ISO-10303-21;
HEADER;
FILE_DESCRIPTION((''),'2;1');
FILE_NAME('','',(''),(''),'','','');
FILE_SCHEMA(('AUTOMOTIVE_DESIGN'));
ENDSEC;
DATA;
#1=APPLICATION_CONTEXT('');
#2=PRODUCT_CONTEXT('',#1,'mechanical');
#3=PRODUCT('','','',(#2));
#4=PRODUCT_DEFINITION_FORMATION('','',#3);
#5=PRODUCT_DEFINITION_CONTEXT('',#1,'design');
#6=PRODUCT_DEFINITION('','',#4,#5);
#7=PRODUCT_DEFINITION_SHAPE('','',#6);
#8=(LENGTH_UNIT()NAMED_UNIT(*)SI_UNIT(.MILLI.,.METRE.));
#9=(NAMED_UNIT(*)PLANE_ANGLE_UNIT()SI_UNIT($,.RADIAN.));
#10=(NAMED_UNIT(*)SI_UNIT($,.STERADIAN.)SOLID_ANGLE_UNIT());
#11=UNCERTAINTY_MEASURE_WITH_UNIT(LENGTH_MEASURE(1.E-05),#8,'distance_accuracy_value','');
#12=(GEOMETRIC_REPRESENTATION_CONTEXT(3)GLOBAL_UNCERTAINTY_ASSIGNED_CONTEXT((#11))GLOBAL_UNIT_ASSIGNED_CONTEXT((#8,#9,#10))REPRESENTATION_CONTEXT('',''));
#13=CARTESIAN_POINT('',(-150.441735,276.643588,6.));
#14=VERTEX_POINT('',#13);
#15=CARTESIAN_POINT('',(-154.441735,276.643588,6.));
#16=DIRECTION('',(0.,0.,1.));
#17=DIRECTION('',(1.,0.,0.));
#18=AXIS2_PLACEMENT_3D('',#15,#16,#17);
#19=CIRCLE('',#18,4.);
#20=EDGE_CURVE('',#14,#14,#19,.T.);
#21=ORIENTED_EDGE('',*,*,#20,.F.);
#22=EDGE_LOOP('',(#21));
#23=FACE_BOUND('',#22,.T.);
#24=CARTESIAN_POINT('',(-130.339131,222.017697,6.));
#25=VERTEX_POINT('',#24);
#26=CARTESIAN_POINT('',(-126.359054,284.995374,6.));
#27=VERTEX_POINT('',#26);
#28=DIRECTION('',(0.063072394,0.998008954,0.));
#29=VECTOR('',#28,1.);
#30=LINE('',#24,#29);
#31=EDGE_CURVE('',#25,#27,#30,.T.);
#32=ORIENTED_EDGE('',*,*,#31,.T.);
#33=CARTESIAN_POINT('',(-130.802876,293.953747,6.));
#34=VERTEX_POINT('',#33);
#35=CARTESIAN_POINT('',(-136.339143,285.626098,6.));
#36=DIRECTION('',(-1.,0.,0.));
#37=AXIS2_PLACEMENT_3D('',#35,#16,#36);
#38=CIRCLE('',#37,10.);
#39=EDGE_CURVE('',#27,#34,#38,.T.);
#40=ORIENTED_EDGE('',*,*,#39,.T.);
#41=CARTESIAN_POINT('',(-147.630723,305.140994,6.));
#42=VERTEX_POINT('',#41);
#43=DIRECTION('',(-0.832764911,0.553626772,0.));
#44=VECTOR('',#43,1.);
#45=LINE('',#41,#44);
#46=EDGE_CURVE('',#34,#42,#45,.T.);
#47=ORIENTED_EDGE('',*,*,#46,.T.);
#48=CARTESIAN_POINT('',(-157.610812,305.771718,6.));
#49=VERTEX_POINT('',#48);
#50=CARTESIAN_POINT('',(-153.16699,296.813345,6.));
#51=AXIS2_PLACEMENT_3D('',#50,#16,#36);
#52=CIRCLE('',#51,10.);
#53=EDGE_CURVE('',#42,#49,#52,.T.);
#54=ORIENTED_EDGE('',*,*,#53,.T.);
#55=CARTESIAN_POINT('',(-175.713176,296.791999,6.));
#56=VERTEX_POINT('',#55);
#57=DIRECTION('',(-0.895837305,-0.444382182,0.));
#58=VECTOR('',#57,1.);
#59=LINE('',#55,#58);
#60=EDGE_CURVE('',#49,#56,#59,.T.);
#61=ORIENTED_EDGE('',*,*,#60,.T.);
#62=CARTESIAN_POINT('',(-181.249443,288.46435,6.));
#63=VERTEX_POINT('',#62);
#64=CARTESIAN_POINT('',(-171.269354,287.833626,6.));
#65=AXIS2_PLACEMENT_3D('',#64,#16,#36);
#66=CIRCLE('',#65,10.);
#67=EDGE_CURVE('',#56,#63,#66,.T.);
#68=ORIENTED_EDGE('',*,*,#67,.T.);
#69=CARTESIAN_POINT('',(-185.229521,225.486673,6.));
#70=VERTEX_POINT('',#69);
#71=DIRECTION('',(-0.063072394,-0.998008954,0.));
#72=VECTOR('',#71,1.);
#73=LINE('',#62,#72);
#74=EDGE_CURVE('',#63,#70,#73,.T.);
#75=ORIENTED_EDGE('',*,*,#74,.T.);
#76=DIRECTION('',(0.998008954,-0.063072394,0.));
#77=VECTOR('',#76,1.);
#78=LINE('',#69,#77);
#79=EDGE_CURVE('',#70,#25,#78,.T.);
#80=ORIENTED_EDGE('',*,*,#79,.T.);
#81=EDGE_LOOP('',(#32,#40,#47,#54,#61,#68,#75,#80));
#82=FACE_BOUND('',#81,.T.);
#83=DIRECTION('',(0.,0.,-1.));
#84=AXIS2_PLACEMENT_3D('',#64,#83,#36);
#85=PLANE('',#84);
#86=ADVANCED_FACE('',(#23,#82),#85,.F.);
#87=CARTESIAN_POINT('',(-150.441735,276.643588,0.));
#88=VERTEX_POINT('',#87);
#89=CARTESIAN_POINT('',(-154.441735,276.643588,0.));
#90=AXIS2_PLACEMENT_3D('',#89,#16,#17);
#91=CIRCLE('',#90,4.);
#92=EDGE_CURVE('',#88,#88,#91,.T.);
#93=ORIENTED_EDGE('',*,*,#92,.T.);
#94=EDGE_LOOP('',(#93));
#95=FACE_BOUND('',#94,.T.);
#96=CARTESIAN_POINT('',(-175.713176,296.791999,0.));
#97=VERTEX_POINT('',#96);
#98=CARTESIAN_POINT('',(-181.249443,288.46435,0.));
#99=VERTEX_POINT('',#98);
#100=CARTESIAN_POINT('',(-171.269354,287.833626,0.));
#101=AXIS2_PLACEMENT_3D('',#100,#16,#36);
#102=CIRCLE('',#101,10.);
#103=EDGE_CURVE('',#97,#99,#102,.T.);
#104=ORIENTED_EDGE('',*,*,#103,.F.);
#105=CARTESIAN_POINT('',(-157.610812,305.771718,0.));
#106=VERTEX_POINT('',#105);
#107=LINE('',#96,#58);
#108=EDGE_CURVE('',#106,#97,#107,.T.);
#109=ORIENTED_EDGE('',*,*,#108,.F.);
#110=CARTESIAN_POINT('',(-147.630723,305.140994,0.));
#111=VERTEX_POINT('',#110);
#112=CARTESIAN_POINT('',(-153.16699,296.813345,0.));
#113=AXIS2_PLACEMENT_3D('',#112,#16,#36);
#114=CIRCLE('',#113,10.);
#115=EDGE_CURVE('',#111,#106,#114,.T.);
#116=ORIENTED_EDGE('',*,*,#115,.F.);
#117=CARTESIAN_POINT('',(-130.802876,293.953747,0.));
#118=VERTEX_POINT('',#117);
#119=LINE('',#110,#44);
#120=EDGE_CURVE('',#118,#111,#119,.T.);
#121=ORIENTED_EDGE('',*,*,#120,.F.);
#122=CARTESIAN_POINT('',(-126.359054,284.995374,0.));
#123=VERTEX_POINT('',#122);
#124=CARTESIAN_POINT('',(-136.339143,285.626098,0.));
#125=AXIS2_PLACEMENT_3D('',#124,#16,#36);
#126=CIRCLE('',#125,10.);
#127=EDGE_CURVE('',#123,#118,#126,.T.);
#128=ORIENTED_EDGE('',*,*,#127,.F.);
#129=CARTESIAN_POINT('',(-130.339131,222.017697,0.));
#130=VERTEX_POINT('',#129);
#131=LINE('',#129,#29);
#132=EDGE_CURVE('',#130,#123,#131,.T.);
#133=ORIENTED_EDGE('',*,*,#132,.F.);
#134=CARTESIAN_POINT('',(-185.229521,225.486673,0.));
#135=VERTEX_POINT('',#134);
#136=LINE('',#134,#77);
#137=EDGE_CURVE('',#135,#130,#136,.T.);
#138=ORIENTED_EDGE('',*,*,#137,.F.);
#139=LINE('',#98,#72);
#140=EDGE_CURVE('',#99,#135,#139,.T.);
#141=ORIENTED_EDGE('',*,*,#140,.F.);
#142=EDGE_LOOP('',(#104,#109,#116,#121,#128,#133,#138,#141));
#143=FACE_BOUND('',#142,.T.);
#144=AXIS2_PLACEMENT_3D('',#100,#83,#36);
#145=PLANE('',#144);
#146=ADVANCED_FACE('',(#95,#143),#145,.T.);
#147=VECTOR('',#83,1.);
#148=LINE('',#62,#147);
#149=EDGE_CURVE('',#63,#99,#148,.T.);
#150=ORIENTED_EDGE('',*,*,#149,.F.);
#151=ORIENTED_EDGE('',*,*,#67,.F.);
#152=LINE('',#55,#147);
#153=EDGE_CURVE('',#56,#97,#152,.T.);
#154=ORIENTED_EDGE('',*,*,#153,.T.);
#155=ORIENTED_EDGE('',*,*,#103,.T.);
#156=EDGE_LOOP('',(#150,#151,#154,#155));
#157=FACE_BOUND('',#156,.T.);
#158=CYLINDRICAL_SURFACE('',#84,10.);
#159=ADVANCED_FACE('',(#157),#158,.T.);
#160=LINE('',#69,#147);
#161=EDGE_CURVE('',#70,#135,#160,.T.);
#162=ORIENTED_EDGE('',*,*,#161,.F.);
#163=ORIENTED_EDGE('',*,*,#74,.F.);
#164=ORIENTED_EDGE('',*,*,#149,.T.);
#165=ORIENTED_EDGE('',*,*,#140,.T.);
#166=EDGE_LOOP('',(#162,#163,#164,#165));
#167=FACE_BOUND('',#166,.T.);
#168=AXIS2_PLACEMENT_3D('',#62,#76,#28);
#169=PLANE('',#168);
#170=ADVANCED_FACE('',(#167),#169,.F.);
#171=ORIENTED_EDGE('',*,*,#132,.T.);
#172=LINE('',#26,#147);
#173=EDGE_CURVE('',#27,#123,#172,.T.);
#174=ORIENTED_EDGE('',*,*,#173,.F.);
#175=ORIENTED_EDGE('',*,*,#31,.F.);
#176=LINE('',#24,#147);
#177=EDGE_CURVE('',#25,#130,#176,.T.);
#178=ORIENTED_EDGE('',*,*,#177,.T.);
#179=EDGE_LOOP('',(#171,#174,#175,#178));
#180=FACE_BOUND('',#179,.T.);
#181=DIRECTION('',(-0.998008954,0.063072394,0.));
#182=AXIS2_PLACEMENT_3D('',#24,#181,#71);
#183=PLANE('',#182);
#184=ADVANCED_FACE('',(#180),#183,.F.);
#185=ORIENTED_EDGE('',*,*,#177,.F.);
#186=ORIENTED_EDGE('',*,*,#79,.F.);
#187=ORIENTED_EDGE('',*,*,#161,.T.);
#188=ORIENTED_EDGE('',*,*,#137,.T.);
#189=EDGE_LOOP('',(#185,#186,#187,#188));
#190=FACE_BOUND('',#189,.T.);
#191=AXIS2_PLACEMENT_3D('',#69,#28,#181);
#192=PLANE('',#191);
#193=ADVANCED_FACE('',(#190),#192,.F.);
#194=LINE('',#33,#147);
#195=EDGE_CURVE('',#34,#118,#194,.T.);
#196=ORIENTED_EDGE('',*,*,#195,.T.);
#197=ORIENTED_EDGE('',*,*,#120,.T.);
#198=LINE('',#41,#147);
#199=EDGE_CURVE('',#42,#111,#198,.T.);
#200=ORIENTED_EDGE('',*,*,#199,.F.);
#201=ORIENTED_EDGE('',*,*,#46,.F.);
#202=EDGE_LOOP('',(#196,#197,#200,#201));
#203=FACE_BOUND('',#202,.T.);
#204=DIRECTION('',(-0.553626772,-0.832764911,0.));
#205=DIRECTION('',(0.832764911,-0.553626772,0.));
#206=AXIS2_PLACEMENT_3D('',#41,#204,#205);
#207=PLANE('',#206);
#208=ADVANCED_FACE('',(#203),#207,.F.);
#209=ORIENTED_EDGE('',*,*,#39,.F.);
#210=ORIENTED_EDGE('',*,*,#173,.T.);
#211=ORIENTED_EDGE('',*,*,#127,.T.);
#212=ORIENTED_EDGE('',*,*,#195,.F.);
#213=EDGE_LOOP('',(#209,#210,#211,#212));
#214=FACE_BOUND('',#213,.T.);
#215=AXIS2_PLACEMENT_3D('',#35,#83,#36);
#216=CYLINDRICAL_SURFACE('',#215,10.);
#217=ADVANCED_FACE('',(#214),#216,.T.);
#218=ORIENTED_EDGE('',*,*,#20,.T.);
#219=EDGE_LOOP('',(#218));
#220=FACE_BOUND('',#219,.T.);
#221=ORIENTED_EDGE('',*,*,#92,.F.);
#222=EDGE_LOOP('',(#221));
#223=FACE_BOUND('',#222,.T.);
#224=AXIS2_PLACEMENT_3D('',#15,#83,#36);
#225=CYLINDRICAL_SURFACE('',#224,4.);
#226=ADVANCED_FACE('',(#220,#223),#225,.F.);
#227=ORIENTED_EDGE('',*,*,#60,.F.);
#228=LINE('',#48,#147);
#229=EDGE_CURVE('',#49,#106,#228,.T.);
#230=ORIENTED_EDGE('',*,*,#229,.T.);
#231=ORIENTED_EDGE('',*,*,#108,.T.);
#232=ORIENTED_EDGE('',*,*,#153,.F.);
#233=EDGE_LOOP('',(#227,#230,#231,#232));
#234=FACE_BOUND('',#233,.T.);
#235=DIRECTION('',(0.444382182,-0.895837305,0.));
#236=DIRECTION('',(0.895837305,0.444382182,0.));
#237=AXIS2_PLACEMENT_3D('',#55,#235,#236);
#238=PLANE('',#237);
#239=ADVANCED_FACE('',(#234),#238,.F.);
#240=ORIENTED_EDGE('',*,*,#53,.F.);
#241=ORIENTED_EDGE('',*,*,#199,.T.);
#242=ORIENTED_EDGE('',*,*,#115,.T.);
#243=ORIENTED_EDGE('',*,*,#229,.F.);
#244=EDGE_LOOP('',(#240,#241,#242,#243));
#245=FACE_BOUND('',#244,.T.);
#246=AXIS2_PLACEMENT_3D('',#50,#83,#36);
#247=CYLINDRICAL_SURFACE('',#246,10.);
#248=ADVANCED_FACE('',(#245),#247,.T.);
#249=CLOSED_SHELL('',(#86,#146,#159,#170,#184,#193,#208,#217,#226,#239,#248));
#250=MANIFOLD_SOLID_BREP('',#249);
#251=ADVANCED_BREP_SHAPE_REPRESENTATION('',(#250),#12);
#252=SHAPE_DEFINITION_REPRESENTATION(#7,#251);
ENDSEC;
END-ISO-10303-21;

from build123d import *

# Parameters (mm, degrees)
SKETCH1_R           = 4
BOSS_EXTRUDE1_DEPTH = 6


with BuildPart() as part:
    # Sketch1 → Boss-Extrude1 (new body)
    with BuildSketch(Plane.XY):
        with BuildLine():
            Line((-175.713175714, 296.79199868), (-157.610812193, 305.771718277))
            ThreePointArc((-157.610812193, 305.771718277), (-152.536266436, 306.793434775), (-147.630722648, 305.14099434))
            Line((-147.630722648, 305.14099434), (-130.802875598, 293.95374746))
            ThreePointArc((-130.802875598, 293.95374746), (-127.380770276, 290.069920171), (-126.359053778, 284.995374414))
            Line((-126.359053778, 284.995374414), (-130.339131129, 222.017697485))
            Line((-130.339131129, 222.017697485), (-185.22952079, 225.486672642))
            Line((-185.22952079, 225.486672642), (-181.249443439, 288.464349571))
            ThreePointArc((-181.249443439, 288.464349571), (-179.597003003, 293.369893358), (-175.713175714, 296.79199868))
        make_face()
        with Locations((-154.441734867, 276.643587511)):
            Circle(SKETCH1_R, mode=Mode.SUBTRACT)
    extrude(amount=BOSS_EXTRUDE1_DEPTH)


solid = part.part
